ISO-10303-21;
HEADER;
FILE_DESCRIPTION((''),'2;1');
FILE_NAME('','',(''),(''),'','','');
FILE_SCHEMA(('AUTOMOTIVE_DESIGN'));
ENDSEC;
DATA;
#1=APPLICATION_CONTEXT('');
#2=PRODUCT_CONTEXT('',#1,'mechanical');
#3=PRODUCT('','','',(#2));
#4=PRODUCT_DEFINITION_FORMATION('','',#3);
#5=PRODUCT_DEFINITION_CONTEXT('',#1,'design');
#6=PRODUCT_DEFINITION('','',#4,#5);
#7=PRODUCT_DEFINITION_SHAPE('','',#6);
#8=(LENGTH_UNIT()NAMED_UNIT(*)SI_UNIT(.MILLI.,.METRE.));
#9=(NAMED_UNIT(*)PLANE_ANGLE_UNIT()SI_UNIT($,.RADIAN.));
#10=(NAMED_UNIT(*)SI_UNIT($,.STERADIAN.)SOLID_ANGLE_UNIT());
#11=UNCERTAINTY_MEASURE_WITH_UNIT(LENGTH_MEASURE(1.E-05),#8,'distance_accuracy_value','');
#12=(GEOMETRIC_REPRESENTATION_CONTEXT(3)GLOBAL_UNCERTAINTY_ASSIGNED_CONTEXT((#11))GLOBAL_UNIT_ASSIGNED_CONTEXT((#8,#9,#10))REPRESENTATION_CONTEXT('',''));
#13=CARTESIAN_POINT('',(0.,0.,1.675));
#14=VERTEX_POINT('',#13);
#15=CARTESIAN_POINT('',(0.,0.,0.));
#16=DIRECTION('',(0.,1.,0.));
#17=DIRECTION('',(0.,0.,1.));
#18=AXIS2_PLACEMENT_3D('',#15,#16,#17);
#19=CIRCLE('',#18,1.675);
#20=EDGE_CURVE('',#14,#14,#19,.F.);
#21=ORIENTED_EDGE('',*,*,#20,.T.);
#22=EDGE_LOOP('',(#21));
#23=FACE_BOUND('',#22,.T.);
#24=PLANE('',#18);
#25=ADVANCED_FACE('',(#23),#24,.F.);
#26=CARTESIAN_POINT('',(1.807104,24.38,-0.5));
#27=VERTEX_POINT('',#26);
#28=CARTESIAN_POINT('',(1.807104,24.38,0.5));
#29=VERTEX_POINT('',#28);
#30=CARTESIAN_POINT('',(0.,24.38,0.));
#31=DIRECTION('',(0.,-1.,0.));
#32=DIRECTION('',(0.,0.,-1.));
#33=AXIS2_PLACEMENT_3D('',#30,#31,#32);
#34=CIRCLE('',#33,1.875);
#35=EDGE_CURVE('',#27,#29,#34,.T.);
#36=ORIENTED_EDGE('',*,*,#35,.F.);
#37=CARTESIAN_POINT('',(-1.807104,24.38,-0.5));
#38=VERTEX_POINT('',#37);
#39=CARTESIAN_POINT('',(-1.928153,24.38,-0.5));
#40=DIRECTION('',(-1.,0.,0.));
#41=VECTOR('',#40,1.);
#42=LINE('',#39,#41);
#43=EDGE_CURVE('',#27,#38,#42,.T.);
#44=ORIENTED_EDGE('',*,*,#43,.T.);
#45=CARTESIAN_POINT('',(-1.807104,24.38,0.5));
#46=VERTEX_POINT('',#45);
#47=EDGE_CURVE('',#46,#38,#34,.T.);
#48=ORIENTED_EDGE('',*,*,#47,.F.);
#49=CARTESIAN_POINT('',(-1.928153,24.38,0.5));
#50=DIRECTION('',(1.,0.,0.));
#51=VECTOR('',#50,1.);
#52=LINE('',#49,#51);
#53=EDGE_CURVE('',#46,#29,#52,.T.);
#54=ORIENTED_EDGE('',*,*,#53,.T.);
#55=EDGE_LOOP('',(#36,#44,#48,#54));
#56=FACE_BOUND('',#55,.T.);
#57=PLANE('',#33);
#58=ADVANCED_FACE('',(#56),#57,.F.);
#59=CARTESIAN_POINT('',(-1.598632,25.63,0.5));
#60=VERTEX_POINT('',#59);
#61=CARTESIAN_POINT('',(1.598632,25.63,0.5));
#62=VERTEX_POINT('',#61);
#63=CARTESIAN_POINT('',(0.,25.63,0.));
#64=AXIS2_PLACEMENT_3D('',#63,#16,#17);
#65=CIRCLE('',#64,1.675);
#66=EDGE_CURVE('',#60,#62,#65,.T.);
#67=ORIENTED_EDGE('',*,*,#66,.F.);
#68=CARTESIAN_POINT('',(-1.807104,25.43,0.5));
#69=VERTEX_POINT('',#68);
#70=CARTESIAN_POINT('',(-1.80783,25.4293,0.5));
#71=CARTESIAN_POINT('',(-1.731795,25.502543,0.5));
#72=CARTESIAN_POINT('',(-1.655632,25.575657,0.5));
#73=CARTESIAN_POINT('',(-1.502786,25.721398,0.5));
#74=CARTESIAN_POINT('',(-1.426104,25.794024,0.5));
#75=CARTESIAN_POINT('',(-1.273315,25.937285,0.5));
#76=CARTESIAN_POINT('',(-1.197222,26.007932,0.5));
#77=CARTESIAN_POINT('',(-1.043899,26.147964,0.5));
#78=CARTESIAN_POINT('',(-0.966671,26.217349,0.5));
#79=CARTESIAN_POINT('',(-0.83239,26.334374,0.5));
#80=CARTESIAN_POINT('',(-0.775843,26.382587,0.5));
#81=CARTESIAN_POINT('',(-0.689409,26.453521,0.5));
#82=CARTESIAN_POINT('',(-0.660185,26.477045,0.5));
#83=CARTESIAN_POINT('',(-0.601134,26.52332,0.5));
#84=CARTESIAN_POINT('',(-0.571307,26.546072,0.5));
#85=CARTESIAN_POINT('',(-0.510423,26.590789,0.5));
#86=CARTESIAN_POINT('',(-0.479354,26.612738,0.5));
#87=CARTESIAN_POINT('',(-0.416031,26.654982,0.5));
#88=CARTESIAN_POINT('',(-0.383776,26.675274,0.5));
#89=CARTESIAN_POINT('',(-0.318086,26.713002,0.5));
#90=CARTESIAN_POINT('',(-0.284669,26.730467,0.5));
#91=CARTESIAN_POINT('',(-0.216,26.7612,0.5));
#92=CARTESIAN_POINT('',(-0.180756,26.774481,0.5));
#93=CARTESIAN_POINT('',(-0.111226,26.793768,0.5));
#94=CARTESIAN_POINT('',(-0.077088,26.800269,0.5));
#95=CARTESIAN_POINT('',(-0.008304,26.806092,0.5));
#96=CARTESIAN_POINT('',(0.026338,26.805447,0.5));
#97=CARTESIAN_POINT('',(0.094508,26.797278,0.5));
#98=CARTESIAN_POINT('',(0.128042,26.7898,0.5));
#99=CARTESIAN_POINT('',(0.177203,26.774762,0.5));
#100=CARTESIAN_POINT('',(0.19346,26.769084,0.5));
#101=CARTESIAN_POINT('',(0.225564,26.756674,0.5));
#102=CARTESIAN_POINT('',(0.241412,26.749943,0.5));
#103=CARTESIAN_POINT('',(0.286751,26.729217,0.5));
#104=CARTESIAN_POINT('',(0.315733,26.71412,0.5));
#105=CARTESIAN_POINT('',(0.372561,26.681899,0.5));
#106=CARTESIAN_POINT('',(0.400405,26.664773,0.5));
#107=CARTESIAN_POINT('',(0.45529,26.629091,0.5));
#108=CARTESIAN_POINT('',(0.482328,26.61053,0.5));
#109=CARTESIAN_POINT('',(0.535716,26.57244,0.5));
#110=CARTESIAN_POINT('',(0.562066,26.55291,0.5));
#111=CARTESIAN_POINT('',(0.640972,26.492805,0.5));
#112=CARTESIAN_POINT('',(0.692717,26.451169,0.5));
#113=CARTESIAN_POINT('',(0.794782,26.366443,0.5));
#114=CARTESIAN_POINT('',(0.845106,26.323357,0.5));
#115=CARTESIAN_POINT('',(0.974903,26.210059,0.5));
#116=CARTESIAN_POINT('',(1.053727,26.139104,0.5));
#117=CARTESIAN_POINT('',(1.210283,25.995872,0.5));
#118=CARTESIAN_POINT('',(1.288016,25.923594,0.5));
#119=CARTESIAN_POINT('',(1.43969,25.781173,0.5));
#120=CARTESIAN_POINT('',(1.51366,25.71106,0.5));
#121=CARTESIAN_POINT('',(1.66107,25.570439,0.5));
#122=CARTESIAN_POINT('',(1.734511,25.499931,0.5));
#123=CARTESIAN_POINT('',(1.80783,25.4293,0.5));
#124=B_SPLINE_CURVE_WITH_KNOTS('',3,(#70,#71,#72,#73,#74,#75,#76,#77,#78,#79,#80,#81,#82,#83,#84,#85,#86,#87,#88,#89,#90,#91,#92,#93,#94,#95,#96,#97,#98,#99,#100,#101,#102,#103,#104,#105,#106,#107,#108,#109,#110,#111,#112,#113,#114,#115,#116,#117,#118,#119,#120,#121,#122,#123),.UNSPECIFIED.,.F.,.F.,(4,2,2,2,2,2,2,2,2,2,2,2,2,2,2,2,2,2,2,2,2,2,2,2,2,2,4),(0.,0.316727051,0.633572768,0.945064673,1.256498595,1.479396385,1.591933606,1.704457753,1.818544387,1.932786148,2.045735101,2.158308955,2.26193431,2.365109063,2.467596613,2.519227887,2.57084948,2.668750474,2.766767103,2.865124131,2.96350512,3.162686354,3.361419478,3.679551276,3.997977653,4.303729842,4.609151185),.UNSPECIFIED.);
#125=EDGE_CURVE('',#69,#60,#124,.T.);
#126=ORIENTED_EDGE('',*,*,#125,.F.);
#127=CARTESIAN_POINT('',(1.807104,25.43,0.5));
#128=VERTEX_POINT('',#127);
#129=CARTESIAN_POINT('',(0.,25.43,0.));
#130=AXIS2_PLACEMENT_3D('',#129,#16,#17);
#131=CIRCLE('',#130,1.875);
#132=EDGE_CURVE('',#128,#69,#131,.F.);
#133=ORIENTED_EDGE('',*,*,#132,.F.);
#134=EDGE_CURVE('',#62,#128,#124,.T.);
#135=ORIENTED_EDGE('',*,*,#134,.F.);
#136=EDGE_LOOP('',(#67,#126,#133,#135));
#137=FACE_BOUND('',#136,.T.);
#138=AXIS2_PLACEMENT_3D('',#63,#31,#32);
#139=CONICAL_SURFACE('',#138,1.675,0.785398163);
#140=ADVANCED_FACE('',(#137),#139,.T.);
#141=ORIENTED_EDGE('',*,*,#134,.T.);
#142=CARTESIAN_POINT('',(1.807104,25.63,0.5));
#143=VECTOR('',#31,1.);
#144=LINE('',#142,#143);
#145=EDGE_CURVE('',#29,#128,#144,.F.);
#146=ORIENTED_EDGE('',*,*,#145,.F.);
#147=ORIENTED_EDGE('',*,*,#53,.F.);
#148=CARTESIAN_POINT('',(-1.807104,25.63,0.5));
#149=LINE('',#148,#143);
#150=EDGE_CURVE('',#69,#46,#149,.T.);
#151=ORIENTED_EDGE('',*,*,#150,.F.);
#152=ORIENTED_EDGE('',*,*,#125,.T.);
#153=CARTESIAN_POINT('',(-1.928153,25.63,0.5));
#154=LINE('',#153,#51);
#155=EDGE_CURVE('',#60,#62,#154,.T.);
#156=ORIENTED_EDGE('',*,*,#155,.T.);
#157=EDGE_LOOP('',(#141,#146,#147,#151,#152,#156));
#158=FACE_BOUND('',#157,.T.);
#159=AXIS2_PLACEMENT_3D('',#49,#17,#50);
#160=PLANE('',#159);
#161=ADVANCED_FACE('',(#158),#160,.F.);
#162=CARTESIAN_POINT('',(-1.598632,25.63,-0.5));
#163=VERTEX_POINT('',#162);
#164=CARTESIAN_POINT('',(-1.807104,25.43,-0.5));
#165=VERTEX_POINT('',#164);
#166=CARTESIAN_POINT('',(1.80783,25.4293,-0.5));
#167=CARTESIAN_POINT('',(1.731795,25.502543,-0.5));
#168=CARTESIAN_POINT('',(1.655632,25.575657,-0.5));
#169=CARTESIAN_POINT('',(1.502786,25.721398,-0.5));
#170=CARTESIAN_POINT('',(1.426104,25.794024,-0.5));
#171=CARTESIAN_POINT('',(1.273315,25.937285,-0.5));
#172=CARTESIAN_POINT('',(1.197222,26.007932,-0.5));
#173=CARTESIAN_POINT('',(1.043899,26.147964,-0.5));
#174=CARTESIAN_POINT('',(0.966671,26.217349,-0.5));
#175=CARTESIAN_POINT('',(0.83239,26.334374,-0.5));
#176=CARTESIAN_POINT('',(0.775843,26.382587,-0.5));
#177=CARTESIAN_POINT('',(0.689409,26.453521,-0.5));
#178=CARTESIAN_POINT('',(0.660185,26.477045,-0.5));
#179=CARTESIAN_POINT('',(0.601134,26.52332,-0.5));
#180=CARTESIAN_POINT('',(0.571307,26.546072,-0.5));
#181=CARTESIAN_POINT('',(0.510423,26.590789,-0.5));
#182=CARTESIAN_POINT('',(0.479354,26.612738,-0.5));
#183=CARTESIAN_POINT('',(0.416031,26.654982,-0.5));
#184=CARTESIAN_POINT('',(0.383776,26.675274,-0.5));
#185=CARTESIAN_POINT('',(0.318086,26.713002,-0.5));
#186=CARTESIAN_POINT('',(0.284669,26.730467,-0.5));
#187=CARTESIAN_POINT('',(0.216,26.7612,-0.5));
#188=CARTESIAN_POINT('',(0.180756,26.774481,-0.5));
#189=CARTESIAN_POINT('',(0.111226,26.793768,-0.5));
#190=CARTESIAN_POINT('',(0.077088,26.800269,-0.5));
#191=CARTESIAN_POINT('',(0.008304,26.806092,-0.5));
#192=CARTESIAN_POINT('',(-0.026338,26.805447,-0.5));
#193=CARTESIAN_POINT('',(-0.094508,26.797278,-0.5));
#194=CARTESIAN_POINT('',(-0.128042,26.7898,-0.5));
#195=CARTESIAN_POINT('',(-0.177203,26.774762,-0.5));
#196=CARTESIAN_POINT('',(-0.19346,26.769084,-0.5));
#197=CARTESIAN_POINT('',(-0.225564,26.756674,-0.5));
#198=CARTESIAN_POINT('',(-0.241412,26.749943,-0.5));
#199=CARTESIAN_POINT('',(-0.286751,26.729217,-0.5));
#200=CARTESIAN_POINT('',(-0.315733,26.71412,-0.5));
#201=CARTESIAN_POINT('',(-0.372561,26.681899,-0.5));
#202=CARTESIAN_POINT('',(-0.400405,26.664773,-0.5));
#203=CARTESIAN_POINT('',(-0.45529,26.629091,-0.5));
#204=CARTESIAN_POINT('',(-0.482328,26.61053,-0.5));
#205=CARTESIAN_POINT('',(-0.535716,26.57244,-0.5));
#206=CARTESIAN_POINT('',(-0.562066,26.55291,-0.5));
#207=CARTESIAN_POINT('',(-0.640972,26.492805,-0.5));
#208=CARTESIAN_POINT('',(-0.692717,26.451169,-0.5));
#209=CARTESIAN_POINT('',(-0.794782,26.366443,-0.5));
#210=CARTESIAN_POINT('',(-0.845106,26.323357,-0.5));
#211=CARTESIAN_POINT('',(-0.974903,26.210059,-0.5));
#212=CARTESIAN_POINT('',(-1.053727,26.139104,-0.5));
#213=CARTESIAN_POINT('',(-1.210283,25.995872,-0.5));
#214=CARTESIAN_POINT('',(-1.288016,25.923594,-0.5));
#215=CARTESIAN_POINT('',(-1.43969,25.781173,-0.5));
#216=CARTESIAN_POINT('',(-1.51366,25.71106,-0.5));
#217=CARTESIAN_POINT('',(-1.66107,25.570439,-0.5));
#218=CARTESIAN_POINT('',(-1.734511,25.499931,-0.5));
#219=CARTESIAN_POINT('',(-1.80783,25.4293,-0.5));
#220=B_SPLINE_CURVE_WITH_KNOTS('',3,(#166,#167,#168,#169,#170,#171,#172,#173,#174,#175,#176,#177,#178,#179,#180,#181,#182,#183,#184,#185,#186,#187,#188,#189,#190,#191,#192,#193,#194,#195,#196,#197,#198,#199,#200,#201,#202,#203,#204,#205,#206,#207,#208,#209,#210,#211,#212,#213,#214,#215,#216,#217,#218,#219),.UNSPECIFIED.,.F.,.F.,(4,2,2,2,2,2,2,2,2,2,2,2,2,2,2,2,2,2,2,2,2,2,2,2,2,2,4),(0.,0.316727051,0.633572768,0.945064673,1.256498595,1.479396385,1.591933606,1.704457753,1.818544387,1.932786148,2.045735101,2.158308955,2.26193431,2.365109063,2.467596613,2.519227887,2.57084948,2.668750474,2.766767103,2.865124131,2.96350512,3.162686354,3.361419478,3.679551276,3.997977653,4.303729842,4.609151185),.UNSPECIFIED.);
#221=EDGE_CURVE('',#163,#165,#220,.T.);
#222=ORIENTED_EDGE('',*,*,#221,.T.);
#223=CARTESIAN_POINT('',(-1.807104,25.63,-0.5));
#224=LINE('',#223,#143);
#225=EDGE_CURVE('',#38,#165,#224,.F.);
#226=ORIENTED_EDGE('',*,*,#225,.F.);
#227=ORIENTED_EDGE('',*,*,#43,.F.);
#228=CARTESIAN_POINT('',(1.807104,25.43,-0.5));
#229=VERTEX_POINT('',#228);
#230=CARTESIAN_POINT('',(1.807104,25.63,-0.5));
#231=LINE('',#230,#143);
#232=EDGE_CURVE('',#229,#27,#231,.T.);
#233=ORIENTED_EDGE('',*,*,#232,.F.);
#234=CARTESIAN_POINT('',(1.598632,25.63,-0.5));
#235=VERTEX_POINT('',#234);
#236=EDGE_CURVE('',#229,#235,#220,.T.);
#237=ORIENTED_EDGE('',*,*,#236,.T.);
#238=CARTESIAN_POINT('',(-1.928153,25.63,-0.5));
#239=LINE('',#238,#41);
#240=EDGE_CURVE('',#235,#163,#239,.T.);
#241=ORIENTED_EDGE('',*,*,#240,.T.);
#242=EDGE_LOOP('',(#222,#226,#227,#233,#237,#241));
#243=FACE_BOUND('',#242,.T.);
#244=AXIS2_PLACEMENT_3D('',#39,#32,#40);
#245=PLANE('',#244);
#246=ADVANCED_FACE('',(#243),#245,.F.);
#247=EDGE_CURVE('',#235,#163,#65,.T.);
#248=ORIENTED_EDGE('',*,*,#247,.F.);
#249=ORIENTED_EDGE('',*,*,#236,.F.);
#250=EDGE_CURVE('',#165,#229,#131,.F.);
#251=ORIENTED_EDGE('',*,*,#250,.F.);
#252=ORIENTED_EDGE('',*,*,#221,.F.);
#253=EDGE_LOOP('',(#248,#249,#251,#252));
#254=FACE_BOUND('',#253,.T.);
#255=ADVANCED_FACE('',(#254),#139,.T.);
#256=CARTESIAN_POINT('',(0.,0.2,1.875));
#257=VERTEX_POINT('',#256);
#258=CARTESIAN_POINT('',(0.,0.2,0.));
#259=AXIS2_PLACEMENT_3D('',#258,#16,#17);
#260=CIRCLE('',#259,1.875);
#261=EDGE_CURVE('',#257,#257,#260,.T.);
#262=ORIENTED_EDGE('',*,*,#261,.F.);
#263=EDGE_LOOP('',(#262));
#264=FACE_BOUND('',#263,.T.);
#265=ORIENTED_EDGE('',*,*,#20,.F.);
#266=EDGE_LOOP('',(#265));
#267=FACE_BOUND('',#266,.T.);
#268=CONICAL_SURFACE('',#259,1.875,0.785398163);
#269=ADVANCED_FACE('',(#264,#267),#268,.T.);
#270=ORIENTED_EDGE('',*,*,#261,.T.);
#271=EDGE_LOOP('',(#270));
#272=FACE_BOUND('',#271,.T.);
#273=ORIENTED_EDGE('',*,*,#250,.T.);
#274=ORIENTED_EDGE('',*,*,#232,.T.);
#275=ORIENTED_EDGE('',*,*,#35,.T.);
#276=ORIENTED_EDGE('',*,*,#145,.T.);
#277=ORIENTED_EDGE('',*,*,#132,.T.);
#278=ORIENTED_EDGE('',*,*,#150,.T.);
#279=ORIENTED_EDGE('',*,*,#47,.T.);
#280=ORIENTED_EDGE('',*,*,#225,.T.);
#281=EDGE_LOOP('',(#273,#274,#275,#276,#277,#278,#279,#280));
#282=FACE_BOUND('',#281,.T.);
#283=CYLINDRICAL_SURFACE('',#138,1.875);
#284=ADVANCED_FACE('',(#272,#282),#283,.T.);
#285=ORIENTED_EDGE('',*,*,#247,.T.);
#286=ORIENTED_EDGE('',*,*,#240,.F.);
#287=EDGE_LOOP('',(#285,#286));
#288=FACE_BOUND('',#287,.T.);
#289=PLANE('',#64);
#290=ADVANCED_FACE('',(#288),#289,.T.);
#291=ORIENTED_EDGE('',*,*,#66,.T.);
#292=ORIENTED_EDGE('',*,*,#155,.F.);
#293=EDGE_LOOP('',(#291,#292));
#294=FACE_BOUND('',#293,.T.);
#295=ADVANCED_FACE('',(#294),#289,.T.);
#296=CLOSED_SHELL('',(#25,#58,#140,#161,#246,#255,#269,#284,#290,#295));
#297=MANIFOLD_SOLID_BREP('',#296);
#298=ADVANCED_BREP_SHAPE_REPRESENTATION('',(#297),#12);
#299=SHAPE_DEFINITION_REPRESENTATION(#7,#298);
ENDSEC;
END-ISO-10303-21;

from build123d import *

# Parameters (mm, degrees)
SKETCH1_R           = 1.875
BOSS_EXTRUDE1_DEPTH = 25.63
CHAMFER1_SIZE       = 0.2
CHAMFER2_SIZE       = 0.2
SKETCH2_W           = 3.856306074
SKETCH2_H           = 1
CUT_EXTRUDE1_DEPTH  = 1.25


with BuildPart() as part:
    # Sketch1 → Boss-Extrude1 (new body)
    with BuildSketch(Plane(origin=(0, 0, 0), x_dir=(1, 0, 0), z_dir=(0, 1, 0))):
        Circle(SKETCH1_R)
    extrude(amount=BOSS_EXTRUDE1_DEPTH)

    # Chamfer1
    chamfer1_edges = [part.edges().sort_by_distance(p)[0] for p in [
        (-1.875, 25.63, 0),
    ]]
    chamfer(chamfer1_edges, length=CHAMFER1_SIZE)

    # Chamfer2
    chamfer2_edges = [part.edges().sort_by_distance(p)[0] for p in [
        (-1.875, 0, 0),
    ]]
    chamfer(chamfer2_edges, length=CHAMFER2_SIZE)

    # Sketch2 → Cut-Extrude1 (cut)
    with BuildSketch(Plane(origin=(0, 25.63, 0), x_dir=(1, 0, 0), z_dir=(0, 1, 0))):
        Rectangle(SKETCH2_W, SKETCH2_H)
    extrude(amount=-CUT_EXTRUDE1_DEPTH, mode=Mode.SUBTRACT)


solid = part.part
